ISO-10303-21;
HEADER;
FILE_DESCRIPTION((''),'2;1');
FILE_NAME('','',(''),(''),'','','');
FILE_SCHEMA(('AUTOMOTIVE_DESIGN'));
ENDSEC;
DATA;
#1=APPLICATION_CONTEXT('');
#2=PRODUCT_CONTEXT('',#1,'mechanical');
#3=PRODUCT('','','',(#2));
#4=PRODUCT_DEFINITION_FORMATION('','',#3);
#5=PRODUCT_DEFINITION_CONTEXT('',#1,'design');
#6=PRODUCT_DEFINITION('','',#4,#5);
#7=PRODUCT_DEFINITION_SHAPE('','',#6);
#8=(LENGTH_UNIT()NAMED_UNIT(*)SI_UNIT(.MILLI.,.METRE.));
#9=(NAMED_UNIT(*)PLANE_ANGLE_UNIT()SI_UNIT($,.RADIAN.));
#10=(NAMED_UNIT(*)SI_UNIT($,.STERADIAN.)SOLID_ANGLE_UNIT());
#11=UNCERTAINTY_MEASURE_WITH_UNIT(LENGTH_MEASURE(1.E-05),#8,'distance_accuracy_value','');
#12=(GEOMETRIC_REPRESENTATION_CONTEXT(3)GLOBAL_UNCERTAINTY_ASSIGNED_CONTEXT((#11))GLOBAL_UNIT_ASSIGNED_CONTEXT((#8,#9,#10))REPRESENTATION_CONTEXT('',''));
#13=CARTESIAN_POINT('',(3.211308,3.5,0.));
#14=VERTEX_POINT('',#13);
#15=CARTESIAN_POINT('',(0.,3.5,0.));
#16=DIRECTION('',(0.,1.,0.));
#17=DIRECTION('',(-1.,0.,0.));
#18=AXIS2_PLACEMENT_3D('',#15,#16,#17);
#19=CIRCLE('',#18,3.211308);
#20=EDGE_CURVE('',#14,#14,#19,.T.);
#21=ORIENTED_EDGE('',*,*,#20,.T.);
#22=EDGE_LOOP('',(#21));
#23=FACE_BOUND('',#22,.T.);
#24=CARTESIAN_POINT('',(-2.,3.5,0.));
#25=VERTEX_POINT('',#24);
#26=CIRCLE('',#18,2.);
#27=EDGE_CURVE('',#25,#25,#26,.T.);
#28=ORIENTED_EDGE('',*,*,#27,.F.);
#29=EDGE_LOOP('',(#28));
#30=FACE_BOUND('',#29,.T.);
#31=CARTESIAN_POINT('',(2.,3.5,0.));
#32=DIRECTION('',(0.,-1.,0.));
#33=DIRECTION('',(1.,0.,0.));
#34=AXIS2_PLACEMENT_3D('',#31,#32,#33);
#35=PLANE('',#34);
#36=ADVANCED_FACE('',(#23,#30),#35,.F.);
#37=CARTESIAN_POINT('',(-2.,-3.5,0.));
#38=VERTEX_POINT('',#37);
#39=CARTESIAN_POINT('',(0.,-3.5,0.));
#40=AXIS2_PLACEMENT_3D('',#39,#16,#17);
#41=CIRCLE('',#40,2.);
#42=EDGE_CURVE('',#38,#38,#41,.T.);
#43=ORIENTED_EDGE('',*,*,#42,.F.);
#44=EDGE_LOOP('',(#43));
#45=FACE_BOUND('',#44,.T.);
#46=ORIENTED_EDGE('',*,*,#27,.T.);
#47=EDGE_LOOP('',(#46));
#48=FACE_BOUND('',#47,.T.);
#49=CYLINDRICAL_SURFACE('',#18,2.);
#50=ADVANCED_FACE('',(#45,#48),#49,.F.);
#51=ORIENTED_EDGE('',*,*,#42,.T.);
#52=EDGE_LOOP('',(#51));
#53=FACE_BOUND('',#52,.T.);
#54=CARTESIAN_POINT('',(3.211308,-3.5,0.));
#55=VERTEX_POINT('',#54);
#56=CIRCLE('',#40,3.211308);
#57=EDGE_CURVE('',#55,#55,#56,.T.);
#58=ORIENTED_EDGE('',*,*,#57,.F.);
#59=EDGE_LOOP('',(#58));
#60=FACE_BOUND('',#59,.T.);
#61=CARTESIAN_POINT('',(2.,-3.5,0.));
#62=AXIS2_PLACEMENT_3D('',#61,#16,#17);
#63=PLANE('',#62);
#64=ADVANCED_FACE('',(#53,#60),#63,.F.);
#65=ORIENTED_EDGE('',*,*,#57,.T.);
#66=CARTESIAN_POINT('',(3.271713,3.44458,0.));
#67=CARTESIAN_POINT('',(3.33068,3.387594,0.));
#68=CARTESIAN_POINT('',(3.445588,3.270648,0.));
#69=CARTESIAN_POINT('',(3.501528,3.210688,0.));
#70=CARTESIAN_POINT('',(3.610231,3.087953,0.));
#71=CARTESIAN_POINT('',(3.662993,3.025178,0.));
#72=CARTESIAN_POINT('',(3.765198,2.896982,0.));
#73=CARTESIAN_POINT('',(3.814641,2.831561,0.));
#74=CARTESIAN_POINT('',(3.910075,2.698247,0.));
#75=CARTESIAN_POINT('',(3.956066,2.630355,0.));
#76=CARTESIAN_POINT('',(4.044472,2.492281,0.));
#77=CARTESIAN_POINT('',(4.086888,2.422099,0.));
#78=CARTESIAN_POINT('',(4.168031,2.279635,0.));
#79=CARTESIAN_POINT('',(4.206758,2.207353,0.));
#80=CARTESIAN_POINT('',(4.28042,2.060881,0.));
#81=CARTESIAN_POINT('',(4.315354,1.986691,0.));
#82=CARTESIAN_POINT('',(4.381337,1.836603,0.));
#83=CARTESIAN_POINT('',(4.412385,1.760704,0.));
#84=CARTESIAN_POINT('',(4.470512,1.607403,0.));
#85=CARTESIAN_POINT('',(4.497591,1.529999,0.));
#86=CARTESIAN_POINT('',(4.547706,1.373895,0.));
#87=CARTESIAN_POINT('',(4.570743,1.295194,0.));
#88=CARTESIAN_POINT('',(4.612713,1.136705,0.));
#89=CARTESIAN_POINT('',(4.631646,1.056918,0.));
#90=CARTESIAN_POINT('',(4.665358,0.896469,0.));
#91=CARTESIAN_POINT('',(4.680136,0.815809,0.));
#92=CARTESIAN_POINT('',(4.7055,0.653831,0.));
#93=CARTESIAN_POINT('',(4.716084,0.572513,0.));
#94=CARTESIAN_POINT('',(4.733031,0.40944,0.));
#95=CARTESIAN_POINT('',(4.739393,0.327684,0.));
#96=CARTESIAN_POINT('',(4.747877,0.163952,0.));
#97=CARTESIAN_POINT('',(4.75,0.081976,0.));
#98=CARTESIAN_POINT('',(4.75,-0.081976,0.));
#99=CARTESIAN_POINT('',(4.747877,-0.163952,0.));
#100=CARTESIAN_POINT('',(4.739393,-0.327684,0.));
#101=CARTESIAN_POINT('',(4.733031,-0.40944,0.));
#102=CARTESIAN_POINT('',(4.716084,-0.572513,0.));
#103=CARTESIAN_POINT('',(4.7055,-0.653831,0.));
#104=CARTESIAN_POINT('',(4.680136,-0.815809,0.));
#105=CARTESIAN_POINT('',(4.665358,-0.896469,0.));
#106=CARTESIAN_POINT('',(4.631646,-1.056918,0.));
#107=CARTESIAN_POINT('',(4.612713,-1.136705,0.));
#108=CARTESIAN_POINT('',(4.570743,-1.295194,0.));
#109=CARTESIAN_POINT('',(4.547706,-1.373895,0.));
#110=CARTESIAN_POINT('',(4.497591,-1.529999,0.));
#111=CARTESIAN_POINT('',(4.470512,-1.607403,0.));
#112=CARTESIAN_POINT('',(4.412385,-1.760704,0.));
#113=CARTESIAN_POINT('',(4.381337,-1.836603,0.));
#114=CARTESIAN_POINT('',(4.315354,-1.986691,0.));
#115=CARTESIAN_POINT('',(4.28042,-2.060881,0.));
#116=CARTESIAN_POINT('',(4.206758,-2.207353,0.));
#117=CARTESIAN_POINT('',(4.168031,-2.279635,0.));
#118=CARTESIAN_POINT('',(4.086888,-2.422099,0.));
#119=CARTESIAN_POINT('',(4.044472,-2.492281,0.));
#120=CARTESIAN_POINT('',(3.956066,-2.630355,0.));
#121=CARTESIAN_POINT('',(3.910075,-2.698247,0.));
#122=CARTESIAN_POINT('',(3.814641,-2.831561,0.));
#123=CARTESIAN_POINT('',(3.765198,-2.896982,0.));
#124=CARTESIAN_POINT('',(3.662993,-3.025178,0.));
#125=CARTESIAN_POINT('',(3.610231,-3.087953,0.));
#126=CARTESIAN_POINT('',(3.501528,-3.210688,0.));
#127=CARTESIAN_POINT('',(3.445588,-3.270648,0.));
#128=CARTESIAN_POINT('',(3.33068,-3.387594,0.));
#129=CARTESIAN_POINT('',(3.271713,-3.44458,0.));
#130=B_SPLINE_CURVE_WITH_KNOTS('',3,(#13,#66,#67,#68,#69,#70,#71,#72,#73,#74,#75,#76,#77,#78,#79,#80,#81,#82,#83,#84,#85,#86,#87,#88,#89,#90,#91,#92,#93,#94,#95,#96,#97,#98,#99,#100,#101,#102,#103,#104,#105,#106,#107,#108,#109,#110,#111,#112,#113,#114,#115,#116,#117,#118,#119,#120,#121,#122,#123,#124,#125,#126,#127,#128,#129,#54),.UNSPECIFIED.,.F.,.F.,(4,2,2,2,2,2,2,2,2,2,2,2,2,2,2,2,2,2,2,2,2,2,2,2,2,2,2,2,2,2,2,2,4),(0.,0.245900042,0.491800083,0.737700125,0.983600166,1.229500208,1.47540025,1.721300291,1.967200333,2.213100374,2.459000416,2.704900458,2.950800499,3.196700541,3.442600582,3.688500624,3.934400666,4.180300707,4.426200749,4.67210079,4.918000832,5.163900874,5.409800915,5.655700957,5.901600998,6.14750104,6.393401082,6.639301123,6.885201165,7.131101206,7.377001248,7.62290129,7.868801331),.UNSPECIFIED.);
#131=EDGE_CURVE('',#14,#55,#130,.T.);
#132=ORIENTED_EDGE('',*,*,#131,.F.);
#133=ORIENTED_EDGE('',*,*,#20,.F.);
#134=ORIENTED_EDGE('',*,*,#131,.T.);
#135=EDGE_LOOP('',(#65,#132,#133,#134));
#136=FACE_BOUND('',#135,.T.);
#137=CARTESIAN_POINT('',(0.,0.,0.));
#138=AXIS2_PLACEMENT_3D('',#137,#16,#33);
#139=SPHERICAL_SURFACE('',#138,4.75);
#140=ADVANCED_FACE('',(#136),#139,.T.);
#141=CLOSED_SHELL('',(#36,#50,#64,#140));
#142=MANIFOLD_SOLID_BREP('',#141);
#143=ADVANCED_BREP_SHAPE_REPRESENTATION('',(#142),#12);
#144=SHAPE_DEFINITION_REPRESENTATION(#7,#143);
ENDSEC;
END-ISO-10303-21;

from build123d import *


with BuildPart() as part:
    # Эскиз3 → Revolve 491 (revolve)
    with BuildSketch(Plane.XY):
        with BuildLine():
            Line((2, 3.5), (2, -3.5))
            Line((2, -3.5), (3.211308145, -3.5))
            ThreePointArc((3.211308145, -3.5), (4.75, 0), (3.211308145, 3.5))
            Line((3.211308145, 3.5), (2, 3.5))
        make_face()
    revolve(axis=Axis((0, 3.5, 0), (0, -1, 0)))


solid = part.part
